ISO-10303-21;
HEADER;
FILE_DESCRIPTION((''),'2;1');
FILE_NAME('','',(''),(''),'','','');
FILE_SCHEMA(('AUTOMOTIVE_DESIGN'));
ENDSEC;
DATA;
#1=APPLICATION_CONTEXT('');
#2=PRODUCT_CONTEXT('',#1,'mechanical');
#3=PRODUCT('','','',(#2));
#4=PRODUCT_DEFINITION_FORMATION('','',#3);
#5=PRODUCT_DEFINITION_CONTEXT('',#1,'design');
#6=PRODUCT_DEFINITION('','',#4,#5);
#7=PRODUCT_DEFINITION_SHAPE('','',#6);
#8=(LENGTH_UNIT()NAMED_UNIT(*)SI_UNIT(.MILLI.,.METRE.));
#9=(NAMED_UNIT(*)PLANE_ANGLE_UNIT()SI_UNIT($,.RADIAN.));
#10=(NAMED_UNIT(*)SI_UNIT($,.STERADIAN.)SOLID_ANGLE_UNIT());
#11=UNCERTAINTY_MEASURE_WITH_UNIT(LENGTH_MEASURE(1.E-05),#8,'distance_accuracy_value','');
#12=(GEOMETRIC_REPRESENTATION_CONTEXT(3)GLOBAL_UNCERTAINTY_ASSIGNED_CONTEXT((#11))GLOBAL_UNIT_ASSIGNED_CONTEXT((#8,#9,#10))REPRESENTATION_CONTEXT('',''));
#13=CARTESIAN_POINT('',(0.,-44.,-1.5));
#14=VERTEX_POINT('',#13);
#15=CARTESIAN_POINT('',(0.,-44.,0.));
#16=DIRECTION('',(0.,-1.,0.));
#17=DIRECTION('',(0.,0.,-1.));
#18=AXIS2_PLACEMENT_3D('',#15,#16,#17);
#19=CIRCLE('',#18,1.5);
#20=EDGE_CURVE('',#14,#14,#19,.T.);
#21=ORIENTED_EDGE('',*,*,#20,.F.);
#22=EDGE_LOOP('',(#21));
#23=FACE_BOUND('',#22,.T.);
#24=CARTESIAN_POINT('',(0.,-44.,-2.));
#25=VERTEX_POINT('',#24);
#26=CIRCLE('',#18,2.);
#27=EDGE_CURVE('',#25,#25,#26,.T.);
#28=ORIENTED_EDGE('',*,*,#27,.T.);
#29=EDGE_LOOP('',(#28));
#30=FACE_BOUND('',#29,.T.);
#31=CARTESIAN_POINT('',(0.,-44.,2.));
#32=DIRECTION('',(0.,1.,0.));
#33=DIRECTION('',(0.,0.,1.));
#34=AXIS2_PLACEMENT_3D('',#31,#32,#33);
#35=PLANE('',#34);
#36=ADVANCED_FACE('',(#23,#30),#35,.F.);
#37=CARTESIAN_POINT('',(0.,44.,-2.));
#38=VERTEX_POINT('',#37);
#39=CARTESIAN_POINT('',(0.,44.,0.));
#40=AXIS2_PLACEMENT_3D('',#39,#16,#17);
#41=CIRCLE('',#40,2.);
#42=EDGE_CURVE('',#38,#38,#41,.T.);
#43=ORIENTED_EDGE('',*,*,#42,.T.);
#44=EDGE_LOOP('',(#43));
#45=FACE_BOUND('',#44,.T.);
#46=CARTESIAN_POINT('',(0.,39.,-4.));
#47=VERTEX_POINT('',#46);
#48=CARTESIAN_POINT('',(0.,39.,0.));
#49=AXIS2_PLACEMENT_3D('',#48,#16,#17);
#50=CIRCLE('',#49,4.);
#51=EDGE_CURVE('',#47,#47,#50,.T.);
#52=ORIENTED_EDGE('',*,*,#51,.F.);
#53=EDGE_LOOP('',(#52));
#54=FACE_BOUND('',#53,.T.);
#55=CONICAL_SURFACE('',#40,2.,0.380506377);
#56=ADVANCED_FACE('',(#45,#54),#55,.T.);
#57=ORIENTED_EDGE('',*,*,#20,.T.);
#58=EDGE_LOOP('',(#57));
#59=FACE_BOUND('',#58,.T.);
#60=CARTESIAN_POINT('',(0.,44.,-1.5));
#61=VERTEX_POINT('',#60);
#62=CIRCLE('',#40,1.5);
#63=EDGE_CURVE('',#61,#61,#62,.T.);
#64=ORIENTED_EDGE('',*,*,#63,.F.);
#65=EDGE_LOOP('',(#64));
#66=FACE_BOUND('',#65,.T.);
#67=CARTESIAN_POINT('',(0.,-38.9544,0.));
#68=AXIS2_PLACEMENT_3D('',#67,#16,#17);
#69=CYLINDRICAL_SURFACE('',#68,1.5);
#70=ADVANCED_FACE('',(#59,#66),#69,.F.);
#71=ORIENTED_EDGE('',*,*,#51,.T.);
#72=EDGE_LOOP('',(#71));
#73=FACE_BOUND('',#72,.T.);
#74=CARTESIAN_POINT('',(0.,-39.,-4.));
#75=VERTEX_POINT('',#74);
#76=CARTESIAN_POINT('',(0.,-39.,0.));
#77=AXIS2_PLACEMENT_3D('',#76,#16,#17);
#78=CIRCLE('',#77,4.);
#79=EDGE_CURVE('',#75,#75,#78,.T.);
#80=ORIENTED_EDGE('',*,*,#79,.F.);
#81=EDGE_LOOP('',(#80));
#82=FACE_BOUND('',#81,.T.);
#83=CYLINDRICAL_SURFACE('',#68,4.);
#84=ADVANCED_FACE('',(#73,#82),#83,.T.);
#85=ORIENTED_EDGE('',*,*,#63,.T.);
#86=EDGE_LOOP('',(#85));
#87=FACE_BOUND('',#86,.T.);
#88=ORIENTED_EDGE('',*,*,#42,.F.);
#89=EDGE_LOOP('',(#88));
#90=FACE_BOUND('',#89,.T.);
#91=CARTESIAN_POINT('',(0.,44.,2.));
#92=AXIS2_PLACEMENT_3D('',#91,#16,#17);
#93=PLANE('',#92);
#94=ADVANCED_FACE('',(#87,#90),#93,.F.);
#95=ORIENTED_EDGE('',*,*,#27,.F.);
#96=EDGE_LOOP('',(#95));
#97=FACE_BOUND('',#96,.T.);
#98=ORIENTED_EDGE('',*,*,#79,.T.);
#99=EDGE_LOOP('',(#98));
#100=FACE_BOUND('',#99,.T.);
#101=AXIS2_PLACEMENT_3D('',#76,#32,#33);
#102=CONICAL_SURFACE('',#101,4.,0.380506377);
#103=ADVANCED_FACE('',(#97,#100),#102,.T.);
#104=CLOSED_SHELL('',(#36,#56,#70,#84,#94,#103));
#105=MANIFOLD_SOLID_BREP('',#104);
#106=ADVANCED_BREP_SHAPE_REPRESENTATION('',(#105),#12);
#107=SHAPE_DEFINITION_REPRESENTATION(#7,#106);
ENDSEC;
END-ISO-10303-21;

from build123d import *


with BuildPart() as part:
    # Sketch2 → Revolve1 (revolve)
    with BuildSketch(Plane.YZ):
        Polygon((-39, 4), (39, 4), (44, 2), (44, 1.5), (-44, 1.5), (-44, 2), align=None)
    revolve(axis=Axis((0, -38.954399842, 0), (0, 1, 0)))


solid = part.part
